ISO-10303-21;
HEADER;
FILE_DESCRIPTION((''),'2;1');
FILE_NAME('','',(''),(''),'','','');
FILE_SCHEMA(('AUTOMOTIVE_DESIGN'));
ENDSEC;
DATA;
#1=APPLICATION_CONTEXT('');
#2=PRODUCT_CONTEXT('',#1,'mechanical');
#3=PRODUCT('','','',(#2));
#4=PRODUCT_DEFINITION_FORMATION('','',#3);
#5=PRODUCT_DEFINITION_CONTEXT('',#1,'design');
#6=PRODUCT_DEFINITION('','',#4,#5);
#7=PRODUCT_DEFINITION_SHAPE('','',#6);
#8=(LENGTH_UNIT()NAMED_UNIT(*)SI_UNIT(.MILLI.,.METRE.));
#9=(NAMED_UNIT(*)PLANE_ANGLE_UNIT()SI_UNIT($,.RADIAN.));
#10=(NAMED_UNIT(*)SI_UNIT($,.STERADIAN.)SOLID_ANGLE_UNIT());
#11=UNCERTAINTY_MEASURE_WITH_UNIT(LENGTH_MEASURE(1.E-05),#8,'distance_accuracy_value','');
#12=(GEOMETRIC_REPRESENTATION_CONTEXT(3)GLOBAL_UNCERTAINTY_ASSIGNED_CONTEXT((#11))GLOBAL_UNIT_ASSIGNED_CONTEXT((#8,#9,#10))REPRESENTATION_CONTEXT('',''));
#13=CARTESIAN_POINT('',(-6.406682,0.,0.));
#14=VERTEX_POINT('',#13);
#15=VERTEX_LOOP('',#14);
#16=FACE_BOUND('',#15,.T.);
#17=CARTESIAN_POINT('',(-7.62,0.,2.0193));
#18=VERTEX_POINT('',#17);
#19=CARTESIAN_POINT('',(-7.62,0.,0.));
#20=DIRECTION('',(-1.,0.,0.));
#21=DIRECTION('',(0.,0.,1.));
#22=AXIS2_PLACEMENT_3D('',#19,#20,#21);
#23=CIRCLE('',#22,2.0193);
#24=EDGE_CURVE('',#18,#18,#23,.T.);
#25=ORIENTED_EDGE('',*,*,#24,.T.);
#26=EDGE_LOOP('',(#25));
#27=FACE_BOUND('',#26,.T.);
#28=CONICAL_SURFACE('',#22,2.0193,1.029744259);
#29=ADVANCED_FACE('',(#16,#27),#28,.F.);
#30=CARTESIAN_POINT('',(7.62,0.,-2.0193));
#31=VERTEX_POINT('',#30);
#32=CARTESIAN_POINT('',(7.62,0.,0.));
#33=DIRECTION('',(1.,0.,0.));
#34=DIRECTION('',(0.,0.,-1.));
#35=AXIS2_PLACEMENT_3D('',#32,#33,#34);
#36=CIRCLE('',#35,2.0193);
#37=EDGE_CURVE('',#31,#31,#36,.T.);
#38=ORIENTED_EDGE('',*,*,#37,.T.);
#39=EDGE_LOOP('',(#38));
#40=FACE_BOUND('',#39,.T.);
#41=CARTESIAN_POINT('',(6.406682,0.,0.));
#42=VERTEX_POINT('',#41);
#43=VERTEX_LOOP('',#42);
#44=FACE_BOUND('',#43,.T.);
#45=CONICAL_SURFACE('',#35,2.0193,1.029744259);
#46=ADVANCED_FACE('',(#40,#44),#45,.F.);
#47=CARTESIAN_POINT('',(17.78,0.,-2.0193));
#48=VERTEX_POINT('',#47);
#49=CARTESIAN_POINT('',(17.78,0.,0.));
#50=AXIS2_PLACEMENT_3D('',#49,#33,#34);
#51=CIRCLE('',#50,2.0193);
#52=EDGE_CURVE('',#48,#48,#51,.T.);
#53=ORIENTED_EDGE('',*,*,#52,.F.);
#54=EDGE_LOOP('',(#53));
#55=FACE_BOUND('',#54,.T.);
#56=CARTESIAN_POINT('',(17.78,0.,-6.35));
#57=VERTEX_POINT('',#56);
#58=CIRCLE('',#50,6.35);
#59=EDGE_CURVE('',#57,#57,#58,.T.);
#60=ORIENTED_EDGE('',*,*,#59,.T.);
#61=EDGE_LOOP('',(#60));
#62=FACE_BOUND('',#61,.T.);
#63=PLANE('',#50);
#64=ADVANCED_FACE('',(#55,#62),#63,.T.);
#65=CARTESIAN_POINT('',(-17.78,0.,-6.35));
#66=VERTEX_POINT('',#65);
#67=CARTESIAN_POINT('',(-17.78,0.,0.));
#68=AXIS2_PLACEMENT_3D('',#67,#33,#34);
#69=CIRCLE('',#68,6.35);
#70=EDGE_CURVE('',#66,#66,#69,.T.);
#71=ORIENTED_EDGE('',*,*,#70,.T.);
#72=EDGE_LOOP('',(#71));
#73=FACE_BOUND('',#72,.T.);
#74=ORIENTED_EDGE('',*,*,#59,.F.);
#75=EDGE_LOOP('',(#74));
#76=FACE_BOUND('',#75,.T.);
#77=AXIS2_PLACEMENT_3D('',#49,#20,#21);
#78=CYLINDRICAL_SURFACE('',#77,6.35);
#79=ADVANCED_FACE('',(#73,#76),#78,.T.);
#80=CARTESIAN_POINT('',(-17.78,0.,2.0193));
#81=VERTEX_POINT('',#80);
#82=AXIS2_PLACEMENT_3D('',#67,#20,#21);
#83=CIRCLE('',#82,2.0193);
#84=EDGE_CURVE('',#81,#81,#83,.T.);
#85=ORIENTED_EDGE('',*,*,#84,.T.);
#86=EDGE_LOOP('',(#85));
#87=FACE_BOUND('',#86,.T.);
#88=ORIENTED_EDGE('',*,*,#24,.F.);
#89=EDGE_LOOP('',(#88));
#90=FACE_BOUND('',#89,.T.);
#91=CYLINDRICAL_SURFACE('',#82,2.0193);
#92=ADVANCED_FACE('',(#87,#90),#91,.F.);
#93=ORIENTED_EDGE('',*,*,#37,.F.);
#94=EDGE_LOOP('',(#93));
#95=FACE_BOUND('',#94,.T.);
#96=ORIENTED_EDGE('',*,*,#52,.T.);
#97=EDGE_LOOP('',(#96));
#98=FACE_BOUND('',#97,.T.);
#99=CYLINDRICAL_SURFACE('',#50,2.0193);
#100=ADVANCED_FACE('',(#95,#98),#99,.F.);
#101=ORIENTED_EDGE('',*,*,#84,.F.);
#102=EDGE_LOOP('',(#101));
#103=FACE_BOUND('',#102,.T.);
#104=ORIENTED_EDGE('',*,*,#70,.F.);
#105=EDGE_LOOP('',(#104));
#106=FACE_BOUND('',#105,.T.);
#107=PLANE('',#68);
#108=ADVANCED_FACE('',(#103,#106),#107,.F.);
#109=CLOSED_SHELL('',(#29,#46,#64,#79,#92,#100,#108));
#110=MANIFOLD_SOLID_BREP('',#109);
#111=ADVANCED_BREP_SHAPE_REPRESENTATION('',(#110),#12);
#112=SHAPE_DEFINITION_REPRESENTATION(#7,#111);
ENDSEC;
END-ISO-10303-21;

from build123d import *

# Parameters (mm, degrees)
SKETCH1_R           = 6.35
BOSS_EXTRUDE1_DEPTH = 17.78


with BuildPart() as part:
    # Sketch1 → Boss-Extrude1 (new, symmetric)
    with BuildSketch(Plane(origin=(0, 0, 0), x_dir=(0, 0, -1), z_dir=(1, 0, 0))):
        Circle(SKETCH1_R)
    extrude(amount=BOSS_EXTRUDE1_DEPTH, both=True)

    # Sketch4 → Tap Drill for #10-32 Tap1 (revolve, cut)
    with BuildSketch(Plane(origin=(17.78, 0, 0), x_dir=(0, 0, -1), z_dir=(0, 1, 0))):
        Polygon((0, 0), (0, 11.373317848), (2.0193, 10.16), (2.0193, 0), align=None)
    tap_drill_for_10_32_tap1 = revolve(axis=Axis((24.13, 0, 0), (-1, 0, 0)), mode=Mode.SUBTRACT)

    # Mirror1: Tap Drill for #10-32 Tap1 across plane
    add(tap_drill_for_10_32_tap1.mirror(Plane(origin=(0, 0, 0), x_dir=(0, 0, 1), z_dir=(1, 0, 0))), mode=Mode.SUBTRACT)


solid = part.part
